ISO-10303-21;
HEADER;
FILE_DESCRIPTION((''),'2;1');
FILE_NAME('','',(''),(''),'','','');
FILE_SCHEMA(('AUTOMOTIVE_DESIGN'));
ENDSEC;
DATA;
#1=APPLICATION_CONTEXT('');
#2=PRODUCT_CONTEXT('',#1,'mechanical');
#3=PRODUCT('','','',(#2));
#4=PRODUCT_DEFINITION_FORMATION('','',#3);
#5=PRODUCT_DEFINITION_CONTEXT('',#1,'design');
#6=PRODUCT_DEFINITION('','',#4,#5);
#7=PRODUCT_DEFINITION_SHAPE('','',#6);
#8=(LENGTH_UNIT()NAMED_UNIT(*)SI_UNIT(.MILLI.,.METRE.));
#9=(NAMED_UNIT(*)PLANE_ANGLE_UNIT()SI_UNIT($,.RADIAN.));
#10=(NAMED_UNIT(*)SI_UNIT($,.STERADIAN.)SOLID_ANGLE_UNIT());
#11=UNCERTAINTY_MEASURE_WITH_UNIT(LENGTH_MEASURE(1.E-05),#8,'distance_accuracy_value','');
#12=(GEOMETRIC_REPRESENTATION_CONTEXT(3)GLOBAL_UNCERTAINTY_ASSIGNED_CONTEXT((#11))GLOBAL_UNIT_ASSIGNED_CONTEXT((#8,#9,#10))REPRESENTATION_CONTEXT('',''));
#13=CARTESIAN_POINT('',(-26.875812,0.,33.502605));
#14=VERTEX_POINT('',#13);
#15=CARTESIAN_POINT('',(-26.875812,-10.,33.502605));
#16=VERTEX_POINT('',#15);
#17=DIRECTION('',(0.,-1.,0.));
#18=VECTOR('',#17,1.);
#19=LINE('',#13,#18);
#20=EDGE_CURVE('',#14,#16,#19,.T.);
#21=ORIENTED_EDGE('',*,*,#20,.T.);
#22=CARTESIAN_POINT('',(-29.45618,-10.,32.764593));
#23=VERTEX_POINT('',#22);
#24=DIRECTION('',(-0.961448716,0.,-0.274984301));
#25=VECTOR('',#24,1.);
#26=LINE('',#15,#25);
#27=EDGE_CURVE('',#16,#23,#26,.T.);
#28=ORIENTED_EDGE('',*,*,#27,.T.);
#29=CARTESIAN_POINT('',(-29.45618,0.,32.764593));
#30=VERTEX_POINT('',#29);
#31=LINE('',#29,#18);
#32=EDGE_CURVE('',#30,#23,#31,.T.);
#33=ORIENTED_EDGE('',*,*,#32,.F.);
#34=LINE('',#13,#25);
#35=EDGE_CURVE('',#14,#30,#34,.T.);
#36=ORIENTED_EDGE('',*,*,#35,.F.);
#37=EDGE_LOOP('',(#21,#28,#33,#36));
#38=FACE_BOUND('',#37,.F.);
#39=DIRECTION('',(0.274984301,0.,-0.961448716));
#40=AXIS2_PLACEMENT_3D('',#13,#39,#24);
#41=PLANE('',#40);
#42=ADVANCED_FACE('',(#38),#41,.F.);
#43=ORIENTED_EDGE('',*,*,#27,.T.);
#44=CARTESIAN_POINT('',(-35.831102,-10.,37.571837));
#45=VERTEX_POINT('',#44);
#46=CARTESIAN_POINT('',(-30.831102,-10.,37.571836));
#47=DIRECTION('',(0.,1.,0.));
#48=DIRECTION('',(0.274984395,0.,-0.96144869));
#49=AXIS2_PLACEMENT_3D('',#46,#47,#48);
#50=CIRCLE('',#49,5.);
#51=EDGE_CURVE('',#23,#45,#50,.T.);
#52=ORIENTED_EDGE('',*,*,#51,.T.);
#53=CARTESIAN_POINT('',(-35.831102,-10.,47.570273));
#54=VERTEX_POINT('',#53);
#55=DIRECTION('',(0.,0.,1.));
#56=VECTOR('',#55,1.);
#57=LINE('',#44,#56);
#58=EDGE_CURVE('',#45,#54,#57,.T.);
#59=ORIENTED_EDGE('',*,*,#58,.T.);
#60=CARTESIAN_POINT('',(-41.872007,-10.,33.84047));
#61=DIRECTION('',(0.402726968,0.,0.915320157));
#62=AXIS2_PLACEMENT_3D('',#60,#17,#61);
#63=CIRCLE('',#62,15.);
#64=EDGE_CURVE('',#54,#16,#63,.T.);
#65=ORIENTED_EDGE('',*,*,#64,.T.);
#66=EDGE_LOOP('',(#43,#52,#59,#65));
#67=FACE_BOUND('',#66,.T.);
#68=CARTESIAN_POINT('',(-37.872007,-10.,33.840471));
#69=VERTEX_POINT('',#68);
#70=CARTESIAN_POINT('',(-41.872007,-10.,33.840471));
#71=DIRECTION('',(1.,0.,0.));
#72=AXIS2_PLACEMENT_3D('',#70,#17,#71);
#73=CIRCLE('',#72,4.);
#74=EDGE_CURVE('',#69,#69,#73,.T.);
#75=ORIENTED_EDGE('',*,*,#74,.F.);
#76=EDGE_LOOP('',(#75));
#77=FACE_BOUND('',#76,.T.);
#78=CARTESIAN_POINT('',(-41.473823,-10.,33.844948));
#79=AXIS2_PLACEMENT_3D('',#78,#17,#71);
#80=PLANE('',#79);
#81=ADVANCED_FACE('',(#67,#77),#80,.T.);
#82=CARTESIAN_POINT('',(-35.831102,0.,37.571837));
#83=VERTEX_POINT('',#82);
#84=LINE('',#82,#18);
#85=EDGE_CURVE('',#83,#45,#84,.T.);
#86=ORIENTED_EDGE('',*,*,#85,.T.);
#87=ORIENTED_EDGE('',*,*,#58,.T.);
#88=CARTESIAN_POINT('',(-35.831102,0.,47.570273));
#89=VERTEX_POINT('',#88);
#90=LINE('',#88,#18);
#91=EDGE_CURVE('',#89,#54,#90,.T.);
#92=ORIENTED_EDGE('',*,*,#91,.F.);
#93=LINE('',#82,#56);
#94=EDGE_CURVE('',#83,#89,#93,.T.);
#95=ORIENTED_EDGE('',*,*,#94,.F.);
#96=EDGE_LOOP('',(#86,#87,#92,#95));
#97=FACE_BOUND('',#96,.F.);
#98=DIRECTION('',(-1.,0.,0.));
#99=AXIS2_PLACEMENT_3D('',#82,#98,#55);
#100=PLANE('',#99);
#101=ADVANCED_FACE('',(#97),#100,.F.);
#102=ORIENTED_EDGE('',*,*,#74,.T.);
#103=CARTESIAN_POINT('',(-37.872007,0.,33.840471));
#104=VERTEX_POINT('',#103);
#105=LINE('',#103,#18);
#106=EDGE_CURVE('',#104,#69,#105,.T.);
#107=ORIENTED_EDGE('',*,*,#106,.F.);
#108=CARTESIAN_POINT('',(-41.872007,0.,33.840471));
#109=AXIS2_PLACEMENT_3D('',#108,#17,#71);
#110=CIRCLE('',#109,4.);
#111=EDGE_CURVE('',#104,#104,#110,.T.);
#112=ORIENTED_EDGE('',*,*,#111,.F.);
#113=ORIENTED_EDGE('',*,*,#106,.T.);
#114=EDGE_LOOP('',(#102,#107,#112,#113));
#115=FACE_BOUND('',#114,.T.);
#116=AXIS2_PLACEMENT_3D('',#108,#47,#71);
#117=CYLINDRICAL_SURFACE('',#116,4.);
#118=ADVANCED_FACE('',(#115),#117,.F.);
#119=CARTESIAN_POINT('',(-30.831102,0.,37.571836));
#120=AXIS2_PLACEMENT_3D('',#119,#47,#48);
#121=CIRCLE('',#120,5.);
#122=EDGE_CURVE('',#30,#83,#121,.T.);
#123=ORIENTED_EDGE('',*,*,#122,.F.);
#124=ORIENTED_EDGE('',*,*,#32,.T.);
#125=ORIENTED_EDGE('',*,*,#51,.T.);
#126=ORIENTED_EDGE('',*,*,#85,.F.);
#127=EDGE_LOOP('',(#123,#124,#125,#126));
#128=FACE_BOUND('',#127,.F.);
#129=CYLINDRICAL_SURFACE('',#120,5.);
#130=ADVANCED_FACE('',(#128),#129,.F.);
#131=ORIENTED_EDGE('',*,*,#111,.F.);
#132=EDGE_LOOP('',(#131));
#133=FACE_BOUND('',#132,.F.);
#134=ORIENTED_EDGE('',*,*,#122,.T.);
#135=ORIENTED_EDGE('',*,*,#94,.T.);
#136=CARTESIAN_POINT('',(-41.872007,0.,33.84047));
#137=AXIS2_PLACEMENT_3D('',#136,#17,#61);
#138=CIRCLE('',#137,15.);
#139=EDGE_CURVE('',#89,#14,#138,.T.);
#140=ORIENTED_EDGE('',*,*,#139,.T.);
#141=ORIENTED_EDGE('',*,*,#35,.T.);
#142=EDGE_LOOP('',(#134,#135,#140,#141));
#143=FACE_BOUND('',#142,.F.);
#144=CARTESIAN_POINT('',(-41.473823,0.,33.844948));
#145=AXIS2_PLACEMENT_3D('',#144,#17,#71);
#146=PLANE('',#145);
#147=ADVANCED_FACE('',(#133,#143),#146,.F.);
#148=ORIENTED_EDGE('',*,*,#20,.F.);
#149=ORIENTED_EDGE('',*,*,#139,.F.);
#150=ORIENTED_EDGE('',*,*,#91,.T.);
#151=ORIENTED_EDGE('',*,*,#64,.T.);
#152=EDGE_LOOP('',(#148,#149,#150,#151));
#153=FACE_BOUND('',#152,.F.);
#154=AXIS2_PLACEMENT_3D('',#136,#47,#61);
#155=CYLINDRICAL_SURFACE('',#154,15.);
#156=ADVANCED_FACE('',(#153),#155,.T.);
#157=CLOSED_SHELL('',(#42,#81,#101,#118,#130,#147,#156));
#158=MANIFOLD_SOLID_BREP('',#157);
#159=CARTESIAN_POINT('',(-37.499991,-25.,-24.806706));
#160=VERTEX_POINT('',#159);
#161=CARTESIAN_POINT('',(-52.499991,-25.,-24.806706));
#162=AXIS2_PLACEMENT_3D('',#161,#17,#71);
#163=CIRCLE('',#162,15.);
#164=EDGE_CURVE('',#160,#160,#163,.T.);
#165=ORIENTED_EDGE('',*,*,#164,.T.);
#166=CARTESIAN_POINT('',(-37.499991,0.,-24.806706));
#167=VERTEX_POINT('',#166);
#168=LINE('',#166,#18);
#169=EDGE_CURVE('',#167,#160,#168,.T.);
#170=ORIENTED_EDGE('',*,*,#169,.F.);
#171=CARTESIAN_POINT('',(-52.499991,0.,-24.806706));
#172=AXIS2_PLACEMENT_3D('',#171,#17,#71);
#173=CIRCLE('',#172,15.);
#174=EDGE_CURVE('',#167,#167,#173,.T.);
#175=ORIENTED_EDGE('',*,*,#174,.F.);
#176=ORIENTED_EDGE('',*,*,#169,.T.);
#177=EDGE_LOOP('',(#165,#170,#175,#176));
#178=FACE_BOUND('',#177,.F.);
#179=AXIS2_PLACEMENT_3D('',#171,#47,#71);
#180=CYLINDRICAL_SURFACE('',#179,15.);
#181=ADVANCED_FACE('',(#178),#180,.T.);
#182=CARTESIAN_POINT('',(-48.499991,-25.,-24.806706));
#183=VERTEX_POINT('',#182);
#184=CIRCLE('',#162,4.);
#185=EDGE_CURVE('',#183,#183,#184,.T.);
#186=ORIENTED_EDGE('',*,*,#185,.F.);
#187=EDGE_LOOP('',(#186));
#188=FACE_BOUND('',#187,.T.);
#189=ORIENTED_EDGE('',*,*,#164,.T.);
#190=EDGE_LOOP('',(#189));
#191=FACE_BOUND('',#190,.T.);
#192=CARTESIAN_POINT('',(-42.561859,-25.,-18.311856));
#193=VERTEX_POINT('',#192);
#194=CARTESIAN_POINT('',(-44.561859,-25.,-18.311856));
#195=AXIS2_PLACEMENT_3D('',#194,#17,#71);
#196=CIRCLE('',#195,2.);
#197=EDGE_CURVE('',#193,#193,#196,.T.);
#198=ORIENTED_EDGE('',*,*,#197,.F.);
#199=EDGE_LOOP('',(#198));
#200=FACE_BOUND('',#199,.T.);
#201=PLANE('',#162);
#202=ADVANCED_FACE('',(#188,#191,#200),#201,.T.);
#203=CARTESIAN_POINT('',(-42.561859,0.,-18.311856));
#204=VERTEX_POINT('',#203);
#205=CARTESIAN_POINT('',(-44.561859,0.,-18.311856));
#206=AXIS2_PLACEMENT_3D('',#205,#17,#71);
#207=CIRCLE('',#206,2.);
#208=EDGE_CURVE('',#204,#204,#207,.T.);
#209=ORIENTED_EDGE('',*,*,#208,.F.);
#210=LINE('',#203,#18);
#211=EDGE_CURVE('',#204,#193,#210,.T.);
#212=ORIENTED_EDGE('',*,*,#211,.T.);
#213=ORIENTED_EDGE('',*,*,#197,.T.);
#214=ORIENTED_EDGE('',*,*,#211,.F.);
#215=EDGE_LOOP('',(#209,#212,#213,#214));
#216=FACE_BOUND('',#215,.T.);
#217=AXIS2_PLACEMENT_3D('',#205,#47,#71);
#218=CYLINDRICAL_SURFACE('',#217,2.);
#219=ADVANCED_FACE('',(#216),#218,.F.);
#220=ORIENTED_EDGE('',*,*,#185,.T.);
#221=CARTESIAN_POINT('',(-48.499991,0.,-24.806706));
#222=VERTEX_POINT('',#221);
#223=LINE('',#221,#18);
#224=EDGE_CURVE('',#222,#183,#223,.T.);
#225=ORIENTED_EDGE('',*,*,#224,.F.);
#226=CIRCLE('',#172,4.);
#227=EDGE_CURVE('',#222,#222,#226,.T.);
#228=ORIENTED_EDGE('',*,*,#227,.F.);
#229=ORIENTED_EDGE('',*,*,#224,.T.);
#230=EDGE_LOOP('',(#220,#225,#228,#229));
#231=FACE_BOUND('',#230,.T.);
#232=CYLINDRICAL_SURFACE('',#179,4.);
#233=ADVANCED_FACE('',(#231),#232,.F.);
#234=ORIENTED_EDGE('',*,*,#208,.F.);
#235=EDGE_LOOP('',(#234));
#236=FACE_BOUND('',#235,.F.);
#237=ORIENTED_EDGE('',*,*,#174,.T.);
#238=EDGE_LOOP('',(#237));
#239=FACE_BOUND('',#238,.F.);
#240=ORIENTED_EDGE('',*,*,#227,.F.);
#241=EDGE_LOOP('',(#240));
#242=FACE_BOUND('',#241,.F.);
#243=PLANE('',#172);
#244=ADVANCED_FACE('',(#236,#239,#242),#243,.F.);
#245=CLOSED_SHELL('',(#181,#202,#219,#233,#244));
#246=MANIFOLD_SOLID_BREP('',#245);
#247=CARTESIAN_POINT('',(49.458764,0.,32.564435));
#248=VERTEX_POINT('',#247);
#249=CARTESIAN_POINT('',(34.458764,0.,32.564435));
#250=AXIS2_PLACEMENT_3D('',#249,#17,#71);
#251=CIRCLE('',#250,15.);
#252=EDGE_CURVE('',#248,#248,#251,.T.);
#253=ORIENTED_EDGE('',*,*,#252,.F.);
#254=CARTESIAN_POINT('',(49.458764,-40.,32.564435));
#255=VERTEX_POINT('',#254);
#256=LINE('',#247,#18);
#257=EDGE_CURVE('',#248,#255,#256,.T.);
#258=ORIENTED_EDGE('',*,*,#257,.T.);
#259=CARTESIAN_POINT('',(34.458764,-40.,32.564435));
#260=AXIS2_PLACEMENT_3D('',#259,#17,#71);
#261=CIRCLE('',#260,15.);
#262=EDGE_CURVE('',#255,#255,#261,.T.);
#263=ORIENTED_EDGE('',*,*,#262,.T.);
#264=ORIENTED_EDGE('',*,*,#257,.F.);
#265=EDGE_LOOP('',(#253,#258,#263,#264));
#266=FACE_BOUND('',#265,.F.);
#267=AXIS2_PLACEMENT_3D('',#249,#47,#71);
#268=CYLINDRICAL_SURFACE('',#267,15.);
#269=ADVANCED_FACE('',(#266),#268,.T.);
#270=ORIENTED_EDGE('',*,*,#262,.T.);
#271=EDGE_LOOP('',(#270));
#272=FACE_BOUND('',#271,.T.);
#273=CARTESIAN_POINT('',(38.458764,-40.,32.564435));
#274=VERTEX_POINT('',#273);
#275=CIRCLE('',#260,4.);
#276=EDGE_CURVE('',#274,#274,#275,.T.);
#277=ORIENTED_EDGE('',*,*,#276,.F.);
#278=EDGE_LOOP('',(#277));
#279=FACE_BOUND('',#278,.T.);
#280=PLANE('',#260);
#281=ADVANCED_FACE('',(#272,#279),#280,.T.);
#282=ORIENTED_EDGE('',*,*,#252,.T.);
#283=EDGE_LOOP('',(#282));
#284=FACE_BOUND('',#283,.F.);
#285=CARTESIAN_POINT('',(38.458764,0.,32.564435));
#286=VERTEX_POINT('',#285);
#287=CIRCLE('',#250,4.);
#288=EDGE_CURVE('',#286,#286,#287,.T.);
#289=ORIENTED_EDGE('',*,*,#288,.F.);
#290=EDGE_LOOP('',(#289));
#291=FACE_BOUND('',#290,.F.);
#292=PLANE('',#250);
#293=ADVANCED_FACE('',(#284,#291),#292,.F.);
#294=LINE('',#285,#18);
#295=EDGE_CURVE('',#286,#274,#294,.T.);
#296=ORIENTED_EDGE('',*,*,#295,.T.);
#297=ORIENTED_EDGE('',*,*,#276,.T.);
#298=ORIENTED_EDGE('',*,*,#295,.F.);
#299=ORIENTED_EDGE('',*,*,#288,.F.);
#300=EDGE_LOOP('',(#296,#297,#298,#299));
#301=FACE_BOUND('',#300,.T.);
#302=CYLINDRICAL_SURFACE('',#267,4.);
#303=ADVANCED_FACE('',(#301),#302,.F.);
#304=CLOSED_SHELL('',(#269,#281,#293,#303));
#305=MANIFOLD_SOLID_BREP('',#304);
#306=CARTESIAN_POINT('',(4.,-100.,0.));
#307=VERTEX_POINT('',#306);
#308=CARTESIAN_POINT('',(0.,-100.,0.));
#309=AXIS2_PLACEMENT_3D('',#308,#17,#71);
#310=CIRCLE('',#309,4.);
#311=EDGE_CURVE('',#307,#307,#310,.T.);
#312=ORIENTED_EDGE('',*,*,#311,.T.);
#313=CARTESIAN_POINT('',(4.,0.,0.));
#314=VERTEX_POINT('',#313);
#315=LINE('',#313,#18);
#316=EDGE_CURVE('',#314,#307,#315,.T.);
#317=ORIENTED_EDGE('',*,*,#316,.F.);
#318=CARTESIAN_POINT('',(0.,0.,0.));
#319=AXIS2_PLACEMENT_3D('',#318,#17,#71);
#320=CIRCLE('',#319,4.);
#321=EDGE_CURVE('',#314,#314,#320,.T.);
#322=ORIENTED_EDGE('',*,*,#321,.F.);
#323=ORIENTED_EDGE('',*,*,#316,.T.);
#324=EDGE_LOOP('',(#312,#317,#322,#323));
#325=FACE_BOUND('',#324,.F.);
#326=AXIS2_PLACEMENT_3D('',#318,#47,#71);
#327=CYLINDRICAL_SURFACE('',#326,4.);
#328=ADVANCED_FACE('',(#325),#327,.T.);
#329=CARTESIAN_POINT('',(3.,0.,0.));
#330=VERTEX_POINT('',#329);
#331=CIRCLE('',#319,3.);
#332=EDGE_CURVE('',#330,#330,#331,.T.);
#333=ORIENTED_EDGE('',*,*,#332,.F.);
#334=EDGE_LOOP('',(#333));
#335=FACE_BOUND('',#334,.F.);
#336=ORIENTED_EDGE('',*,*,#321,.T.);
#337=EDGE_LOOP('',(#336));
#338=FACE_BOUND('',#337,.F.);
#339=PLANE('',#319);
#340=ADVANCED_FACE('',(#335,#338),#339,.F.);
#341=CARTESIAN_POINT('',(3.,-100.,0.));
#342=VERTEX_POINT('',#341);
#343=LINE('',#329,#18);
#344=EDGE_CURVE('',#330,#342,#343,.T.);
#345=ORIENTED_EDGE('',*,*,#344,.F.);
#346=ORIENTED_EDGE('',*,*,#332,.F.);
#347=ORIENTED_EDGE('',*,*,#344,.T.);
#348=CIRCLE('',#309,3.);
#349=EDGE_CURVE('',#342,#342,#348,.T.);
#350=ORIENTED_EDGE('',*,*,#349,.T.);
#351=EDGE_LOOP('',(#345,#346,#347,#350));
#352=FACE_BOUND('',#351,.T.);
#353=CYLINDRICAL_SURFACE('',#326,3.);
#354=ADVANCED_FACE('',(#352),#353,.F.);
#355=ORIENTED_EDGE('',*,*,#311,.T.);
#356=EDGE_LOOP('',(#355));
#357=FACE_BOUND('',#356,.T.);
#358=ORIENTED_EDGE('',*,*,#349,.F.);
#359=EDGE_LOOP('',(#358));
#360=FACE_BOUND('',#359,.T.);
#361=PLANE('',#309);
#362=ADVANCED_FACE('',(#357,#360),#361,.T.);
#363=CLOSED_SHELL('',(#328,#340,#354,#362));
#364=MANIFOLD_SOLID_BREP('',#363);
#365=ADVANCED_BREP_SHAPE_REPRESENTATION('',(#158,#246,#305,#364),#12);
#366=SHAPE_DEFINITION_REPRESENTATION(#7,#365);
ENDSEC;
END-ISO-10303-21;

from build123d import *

# Parameters (mm, degrees)
F0_R     = 4
F0_R_2   = 3
F1_DEPTH = 100
F2_R     = 15
F2_R_2   = 4
F3_DEPTH = 40
F4_R     = 4
F5_DEPTH = 10
F6_R     = 15
F6_R_2   = 4
F6_R_3   = 2
F7_DEPTH = 25


with BuildPart() as f1:
    # F0 (on Front) → F1 (new body)
    with BuildSketch(Plane.XZ):
        Circle(F0_R)
        Circle(F0_R_2, mode=Mode.SUBTRACT)
    extrude(amount=F1_DEPTH)


with BuildPart() as f3:
    # F2 (on Front) → F3 (new body)
    with BuildSketch(Plane.XZ):
        with Locations((34.458764, 32.564435)):
            Circle(F2_R)
        with Locations((34.458764, 32.564435)):
            Circle(F2_R_2, mode=Mode.SUBTRACT)
    extrude(amount=F3_DEPTH)


with BuildPart() as f5:
    # F4 (on Front) → F5 (new body)
    with BuildSketch(Plane.XZ):
        with BuildLine():
            Line((-35.831102, 37.571837), (-35.831102, 47.570273))
            ThreePointArc((-35.831102, 47.570273), (-54.525651, 25.78533), (-26.875812, 33.502605))
            Line((-26.875812, 33.502605), (-29.45618, 32.764593))
            ThreePointArc((-29.45618, 32.764593), (-33.841533, 33.579681), (-35.831102, 37.571837))
        make_face()
        with Locations((-41.872007, 33.840471)):
            Circle(F4_R, mode=Mode.SUBTRACT)
    extrude(amount=F5_DEPTH)


with BuildPart() as f7:
    # F6 (on Front) → F7 (new body)
    with BuildSketch(Plane.XZ):
        with Locations((-52.499991, -24.806706)):
            Circle(F6_R)
        with Locations((-52.499991, -24.806706)):
            Circle(F6_R_2, mode=Mode.SUBTRACT)
        with Locations((-44.561859, -18.311856)):
            Circle(F6_R_3, mode=Mode.SUBTRACT)
    extrude(amount=F7_DEPTH)


solid = Compound([f1.part, f3.part, f5.part, f7.part])
